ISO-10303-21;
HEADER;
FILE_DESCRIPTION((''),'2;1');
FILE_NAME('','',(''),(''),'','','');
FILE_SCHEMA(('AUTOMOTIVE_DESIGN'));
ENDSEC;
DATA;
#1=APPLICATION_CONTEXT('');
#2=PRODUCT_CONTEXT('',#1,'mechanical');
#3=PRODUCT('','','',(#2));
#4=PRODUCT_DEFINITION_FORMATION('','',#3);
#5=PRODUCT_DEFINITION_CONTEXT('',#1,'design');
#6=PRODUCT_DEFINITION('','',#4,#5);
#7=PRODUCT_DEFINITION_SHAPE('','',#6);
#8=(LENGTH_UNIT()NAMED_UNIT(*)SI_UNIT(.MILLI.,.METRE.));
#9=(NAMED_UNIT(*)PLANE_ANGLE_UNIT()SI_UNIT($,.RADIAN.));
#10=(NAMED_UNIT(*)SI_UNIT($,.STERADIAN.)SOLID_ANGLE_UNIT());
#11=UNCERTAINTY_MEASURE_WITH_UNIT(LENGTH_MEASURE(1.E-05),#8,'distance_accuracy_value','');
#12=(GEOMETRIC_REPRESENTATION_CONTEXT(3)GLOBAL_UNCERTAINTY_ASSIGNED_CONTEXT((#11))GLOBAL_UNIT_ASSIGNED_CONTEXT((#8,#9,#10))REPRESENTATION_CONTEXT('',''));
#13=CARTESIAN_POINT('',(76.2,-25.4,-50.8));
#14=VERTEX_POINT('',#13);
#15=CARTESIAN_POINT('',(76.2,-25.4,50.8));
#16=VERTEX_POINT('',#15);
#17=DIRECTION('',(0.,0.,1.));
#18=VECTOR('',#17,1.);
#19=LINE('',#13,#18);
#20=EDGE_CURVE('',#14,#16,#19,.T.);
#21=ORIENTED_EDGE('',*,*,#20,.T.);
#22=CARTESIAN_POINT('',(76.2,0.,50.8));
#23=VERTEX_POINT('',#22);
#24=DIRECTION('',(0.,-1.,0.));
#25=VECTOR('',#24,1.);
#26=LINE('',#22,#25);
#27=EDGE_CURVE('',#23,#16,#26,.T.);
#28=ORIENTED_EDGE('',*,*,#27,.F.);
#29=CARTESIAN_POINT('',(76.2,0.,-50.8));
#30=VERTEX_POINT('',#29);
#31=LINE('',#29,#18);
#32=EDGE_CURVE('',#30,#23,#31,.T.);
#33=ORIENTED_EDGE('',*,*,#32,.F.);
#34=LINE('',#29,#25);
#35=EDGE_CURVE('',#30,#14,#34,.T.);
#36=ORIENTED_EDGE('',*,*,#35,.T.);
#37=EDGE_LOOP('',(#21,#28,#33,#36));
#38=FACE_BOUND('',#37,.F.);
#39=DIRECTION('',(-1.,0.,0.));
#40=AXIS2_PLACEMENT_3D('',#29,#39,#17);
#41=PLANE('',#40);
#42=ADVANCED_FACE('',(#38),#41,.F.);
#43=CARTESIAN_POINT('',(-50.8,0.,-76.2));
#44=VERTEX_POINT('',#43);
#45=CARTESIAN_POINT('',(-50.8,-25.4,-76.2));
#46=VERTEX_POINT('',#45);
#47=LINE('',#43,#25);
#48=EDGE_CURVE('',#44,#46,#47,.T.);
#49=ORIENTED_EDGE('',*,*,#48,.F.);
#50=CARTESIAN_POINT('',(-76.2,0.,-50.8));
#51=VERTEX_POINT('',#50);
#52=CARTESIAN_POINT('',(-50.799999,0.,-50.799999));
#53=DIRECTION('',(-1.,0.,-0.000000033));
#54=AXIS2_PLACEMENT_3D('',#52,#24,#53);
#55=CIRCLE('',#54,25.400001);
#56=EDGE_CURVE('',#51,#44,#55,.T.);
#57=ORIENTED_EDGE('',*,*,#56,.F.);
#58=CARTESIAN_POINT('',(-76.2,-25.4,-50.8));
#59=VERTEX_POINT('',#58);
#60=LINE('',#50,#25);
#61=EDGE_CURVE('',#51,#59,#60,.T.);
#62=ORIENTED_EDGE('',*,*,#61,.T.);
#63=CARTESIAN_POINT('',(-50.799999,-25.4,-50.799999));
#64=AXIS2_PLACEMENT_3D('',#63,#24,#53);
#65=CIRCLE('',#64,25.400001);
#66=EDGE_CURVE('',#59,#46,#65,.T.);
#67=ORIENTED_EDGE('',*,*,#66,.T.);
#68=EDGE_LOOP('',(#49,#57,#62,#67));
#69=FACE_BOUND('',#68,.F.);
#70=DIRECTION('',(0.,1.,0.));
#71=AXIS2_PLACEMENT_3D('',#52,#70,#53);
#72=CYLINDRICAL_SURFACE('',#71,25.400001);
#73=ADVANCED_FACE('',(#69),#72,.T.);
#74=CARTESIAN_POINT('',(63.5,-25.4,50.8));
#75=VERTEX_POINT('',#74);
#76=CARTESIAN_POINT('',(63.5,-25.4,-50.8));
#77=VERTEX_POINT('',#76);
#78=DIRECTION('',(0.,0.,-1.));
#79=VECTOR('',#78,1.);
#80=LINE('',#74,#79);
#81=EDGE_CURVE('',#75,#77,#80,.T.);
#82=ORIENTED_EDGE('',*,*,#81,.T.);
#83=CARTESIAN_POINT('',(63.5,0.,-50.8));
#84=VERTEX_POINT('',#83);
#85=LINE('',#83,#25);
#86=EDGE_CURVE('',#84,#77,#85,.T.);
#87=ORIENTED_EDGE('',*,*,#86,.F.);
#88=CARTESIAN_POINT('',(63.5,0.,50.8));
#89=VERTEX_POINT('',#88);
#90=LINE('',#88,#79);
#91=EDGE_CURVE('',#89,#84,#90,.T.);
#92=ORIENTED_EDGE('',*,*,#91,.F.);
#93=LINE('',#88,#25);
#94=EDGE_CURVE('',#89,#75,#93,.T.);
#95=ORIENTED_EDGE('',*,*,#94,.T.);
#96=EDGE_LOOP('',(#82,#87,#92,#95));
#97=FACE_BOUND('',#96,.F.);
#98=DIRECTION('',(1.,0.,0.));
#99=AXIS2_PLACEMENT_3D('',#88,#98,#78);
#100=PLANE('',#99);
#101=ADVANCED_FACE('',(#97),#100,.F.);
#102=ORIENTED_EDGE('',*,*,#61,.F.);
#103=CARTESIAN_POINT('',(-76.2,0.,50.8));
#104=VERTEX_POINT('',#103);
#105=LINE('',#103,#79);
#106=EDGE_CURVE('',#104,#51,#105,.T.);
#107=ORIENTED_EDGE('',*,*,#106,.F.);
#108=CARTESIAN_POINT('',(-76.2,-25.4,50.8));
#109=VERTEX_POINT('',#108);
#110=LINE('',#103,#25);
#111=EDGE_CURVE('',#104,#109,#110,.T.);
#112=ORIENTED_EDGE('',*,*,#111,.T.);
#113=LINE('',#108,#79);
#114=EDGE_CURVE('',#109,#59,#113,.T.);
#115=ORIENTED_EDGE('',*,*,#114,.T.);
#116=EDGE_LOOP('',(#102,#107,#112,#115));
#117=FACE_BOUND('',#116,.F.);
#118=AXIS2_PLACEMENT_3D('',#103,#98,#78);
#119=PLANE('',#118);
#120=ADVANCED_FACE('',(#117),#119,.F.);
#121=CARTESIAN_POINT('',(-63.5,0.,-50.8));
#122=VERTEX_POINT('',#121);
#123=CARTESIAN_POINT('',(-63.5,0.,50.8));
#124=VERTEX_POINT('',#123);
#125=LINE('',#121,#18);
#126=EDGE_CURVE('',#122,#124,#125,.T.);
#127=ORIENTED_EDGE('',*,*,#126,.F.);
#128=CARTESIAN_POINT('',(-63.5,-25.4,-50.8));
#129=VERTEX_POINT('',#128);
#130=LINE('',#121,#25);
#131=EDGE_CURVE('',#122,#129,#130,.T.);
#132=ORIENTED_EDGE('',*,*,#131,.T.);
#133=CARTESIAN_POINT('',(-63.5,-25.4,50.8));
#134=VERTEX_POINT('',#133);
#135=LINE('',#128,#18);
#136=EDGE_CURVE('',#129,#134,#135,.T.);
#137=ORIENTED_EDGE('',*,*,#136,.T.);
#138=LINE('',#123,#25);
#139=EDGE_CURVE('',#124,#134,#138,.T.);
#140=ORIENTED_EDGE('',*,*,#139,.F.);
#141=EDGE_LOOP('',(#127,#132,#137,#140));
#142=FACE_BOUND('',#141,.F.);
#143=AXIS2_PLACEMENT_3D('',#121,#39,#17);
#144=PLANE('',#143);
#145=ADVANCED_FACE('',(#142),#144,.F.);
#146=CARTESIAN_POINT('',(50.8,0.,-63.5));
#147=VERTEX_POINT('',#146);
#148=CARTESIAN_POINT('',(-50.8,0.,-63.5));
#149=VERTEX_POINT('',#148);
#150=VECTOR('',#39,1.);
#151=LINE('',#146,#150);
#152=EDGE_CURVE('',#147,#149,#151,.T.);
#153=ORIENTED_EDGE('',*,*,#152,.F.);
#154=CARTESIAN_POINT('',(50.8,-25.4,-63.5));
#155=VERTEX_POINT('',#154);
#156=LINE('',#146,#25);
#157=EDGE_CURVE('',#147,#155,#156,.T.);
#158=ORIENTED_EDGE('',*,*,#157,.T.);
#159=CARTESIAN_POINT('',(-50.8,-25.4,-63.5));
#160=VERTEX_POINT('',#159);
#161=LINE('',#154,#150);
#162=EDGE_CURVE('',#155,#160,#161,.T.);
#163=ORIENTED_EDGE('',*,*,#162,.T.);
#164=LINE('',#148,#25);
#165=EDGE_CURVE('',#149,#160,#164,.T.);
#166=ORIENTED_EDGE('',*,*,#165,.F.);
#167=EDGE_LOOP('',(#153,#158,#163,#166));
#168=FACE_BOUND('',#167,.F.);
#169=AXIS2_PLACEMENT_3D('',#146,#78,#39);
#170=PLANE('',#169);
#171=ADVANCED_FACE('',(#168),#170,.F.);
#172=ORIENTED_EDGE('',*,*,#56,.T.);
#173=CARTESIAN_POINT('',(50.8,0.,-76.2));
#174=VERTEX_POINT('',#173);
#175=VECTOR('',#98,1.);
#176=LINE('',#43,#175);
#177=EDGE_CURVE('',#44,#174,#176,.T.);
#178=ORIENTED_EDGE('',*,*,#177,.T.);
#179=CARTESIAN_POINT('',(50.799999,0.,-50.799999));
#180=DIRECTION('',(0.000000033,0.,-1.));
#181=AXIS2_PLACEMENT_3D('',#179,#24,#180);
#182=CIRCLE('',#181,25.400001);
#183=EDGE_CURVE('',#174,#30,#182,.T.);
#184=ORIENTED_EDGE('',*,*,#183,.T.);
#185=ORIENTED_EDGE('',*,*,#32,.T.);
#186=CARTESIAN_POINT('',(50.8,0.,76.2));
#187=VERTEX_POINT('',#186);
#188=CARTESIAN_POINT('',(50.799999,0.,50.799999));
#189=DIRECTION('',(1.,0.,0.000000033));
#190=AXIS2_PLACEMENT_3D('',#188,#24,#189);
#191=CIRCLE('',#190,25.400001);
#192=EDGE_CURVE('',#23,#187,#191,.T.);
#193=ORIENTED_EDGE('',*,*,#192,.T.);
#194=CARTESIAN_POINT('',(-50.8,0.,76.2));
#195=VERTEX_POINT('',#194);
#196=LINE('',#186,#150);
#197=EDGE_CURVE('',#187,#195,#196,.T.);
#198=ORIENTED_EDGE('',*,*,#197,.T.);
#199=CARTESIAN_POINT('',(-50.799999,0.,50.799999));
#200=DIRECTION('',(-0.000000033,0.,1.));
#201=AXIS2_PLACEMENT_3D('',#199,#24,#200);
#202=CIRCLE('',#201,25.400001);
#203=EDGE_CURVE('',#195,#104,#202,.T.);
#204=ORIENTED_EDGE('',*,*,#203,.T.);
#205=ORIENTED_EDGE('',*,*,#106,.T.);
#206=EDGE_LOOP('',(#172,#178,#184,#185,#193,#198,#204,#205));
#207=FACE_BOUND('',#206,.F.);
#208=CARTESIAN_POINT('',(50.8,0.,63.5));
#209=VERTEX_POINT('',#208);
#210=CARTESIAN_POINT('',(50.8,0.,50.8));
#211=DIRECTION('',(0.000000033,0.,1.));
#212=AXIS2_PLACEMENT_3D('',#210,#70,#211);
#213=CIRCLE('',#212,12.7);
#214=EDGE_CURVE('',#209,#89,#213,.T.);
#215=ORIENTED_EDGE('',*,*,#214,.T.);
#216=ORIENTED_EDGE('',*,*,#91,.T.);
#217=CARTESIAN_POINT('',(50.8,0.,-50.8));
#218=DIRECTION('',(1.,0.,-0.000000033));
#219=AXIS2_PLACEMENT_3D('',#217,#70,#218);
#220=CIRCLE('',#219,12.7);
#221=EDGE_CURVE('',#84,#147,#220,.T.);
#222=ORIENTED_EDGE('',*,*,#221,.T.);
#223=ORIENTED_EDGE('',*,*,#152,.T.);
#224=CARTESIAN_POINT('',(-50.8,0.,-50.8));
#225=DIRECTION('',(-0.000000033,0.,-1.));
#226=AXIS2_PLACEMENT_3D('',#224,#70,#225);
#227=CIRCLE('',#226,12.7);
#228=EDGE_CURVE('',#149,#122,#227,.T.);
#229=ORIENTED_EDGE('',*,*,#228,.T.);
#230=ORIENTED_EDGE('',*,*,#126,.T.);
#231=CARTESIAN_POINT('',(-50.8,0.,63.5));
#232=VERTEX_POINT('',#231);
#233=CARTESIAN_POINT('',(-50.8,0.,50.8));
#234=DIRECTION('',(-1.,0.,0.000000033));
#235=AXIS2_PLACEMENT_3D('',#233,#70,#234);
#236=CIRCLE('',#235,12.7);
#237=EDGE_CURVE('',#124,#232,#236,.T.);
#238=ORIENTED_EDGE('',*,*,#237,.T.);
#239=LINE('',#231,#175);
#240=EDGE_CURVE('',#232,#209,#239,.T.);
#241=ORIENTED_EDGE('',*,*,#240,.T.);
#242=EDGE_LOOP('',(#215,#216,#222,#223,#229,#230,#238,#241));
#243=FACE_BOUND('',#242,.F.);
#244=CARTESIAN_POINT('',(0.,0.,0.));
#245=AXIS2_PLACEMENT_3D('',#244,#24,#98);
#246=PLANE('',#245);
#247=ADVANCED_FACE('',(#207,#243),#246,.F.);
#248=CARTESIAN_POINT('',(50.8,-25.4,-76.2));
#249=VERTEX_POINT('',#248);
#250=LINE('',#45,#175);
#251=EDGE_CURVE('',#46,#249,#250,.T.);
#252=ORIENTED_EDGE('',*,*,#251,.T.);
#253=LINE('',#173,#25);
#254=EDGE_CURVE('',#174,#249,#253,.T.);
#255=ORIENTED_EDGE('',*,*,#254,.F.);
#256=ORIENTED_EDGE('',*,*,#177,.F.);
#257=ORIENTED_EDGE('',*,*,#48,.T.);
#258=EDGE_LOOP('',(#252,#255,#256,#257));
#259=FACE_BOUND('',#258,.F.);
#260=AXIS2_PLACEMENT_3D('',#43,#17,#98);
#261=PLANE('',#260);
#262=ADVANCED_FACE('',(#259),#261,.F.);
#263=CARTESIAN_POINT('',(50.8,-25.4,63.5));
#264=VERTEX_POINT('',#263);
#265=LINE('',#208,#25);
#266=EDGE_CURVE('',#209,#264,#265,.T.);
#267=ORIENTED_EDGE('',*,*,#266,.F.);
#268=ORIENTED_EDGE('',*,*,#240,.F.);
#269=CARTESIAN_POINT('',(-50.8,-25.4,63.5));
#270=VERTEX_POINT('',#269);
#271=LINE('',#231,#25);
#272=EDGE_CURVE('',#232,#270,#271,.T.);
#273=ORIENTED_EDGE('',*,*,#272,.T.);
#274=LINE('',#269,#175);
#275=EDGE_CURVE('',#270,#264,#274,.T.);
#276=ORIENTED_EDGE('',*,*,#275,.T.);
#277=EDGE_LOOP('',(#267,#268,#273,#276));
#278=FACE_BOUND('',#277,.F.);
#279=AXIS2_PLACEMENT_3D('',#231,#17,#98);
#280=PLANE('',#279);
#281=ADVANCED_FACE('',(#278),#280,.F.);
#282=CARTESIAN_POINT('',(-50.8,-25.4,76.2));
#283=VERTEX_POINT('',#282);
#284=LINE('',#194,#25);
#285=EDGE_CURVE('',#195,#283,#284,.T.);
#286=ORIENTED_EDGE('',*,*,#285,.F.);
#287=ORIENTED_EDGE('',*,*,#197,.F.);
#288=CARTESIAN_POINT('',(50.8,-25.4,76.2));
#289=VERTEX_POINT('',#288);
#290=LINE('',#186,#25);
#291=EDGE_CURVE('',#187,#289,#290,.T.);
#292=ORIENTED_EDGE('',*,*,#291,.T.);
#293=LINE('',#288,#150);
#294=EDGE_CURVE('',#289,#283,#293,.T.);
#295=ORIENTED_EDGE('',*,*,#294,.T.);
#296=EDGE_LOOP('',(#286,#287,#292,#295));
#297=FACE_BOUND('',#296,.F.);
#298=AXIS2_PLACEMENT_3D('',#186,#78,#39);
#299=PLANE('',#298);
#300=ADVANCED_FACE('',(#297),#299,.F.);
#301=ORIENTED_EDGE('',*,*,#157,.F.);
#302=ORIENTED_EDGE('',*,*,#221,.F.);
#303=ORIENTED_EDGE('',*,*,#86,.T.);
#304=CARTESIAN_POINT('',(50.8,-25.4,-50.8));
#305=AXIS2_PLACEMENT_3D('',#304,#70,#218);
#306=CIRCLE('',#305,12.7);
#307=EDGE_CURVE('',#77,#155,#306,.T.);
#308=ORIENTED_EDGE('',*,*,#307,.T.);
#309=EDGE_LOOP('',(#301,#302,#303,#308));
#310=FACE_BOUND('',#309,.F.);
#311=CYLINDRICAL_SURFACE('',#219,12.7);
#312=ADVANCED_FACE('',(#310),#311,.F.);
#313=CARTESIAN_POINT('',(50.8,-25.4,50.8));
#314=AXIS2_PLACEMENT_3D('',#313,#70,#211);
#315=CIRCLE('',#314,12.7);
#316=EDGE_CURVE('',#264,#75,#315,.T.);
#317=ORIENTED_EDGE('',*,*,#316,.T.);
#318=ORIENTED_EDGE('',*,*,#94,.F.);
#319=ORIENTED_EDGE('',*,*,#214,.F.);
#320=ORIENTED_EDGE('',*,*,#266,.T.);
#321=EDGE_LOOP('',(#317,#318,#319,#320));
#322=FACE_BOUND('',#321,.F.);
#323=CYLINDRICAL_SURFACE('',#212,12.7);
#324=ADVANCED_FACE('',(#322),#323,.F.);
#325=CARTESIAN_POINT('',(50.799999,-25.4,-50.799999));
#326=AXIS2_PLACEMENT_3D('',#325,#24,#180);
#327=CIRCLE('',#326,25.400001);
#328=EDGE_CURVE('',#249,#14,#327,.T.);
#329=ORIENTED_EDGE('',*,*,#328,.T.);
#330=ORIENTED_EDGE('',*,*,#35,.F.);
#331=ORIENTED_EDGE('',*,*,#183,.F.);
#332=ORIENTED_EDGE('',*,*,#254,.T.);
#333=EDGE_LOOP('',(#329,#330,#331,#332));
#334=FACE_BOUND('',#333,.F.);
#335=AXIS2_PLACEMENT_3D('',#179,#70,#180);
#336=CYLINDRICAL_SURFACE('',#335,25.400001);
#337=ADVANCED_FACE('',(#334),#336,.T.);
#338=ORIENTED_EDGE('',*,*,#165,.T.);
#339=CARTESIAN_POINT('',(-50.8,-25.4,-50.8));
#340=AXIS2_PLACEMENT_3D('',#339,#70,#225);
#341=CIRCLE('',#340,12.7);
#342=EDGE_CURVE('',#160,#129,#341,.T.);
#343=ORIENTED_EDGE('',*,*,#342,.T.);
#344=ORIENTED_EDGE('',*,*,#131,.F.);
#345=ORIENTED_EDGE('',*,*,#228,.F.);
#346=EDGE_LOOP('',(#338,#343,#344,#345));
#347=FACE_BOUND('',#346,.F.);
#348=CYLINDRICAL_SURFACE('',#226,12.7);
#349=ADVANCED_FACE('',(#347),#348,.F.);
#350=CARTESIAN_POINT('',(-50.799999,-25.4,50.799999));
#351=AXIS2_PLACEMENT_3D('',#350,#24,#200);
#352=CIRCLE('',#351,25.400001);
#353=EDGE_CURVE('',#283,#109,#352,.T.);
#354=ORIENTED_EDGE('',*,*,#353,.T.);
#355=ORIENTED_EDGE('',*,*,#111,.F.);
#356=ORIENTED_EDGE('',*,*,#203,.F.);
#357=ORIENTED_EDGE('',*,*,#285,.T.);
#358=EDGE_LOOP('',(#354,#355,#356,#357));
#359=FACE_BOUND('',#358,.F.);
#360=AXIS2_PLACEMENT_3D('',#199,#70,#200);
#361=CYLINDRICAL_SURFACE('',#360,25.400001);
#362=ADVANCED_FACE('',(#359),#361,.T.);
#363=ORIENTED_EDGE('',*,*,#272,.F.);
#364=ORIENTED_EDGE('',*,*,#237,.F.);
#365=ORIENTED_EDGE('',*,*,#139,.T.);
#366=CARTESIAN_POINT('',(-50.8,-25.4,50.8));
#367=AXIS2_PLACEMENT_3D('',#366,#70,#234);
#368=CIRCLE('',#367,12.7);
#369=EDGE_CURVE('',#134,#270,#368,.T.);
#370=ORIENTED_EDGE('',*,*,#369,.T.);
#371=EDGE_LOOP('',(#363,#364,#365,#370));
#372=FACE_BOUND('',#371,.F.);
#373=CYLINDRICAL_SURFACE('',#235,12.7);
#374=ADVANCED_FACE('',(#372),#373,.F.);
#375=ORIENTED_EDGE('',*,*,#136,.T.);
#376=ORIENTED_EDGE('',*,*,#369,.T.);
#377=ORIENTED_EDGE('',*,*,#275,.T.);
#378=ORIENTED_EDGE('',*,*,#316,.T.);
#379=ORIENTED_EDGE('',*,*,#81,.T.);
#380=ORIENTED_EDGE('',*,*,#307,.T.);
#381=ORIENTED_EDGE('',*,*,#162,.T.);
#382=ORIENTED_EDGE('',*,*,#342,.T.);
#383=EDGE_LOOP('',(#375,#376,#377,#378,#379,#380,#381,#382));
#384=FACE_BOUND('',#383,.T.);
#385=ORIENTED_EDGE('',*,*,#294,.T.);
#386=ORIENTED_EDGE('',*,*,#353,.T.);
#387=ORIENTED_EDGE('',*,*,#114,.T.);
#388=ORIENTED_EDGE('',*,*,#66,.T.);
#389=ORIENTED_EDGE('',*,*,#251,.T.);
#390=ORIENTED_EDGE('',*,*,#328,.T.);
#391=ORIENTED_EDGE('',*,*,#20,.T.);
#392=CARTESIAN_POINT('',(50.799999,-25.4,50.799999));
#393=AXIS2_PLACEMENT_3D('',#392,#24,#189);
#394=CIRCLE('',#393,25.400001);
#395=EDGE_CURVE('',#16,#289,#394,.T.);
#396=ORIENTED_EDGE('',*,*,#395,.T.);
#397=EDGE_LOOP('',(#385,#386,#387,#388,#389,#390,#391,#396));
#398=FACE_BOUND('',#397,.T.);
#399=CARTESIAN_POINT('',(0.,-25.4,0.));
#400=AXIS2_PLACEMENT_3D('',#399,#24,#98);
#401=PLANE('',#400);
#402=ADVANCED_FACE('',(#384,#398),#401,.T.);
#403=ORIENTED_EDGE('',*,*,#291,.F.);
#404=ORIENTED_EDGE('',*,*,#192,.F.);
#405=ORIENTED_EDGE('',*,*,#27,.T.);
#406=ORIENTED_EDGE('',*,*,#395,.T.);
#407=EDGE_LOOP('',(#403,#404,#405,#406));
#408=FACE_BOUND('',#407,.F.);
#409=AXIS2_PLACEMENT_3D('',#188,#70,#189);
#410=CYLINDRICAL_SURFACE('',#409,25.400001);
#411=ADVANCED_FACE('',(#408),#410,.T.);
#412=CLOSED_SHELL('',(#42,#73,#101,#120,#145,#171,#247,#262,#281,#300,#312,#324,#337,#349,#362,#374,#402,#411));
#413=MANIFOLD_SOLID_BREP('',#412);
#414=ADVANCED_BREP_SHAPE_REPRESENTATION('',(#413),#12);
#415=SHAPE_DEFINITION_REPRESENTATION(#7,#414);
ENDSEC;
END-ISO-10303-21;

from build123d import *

# Parameters (mm, degrees)
F1_DEPTH = 25.4


with BuildPart() as f1:
    # F0 (on Front) → F1 (new body)
    with BuildSketch(Plane.XZ):
        with BuildLine():
            ThreePointArc((76.2, 50.8), (68.760512, 68.760512), (50.8, 76.2))
            Line((50.8, 76.2), (-50.8, 76.2))
            ThreePointArc((-50.8, 76.2), (-68.760512, 68.760512), (-76.2, 50.8))
            Line((-76.2, 50.8), (-76.2, -50.8))
            ThreePointArc((-76.2, -50.8), (-68.760512, -68.760512), (-50.8, -76.2))
            Line((-50.8, -76.2), (50.8, -76.2))
            ThreePointArc((50.8, -76.2), (68.760512, -68.760512), (76.2, -50.8))
            Line((76.2, -50.8), (76.2, 50.8))
        make_face()
        with BuildLine():
            Line((-50.8, 63.5), (50.8, 63.5))
            ThreePointArc((50.8, 63.5), (59.780256, 59.780256), (63.5, 50.8))
            Line((63.5, 50.8), (63.5, -50.8))
            ThreePointArc((63.5, -50.8), (59.780256, -59.780256), (50.8, -63.5))
            Line((50.8, -63.5), (-50.8, -63.5))
            ThreePointArc((-50.8, -63.5), (-59.780256, -59.780256), (-63.5, -50.8))
            Line((-63.5, -50.8), (-63.5, 50.8))
            ThreePointArc((-63.5, 50.8), (-59.780256, 59.780256), (-50.8, 63.5))
        make_face(mode=Mode.SUBTRACT)
    extrude(amount=F1_DEPTH)


solid = f1.part
